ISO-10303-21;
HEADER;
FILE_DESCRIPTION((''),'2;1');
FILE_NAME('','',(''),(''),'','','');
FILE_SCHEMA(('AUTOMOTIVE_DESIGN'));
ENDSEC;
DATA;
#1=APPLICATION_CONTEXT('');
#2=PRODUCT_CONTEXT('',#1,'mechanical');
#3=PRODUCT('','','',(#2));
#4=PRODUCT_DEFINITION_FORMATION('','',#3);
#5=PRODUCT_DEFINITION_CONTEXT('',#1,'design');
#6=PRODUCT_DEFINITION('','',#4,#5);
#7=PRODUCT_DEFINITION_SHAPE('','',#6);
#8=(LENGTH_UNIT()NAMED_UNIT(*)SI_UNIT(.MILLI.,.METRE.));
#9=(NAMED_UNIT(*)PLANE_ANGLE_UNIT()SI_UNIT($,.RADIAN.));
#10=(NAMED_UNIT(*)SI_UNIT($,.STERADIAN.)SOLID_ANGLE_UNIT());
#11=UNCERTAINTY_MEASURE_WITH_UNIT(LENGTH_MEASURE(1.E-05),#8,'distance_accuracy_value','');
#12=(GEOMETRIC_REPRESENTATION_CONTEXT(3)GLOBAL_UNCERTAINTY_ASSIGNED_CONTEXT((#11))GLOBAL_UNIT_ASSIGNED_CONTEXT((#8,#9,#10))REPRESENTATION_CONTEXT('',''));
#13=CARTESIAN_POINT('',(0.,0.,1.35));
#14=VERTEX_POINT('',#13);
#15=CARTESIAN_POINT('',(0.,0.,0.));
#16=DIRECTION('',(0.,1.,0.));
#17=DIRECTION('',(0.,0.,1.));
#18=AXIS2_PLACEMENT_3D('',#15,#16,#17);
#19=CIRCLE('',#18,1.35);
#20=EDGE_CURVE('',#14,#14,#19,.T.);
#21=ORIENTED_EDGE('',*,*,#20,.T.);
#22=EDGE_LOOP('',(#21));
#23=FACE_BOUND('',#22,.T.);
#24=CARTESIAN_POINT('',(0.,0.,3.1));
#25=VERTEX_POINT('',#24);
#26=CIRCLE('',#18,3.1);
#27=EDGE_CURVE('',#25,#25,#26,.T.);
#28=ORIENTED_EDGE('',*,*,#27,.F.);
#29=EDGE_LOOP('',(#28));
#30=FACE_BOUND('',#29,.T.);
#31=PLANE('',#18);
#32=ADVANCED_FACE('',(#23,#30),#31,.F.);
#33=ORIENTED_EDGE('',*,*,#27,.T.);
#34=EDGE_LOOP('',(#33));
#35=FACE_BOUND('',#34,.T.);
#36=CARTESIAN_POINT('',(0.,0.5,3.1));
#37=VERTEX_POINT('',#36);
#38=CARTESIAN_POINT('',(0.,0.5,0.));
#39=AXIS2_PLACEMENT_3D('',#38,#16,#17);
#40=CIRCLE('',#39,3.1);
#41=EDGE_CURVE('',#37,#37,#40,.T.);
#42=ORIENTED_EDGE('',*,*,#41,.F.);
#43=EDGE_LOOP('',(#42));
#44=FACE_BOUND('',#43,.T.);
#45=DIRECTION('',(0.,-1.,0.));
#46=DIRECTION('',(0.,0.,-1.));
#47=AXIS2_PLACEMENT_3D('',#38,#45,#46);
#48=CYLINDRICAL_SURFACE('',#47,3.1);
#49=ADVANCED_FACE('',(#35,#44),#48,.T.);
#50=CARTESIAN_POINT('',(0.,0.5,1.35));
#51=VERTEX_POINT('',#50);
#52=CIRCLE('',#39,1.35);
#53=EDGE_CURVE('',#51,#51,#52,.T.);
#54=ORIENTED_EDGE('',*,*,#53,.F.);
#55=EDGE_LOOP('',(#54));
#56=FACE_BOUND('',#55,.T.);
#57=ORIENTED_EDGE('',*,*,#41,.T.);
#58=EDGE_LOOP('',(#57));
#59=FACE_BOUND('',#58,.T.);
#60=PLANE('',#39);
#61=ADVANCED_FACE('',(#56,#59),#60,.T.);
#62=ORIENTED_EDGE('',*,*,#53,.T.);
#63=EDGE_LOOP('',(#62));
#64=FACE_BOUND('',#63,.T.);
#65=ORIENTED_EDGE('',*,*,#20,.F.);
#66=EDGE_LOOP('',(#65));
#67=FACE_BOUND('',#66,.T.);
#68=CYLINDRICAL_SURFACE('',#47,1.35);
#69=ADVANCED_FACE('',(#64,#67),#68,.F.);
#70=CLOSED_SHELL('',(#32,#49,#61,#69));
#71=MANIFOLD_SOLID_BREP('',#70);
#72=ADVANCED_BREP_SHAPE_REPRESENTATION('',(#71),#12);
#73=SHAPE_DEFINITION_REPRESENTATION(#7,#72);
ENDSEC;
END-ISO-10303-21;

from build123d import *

# Parameters (mm, degrees)
SKETCH1_R      = 3.1
SKETCH1_R_2    = 1.35
EXTRUDE1_DEPTH = 0.5


with BuildPart() as part:
    # Sketch1 → Extrude1 (new body)
    with BuildSketch(Plane(origin=(0, 0, 0), x_dir=(1, 0, 0), z_dir=(0, 1, 0))):
        with Locations(Location((0, 0, 0), (0, 0, 270))):  # turned: the seam where the file's is
            Circle(SKETCH1_R)
        with Locations(Location((0, 0, 0), (0, 0, 270))):  # turned: the seam where the file's is
            Circle(SKETCH1_R_2, mode=Mode.SUBTRACT)
    extrude(amount=EXTRUDE1_DEPTH)


solid = part.part
